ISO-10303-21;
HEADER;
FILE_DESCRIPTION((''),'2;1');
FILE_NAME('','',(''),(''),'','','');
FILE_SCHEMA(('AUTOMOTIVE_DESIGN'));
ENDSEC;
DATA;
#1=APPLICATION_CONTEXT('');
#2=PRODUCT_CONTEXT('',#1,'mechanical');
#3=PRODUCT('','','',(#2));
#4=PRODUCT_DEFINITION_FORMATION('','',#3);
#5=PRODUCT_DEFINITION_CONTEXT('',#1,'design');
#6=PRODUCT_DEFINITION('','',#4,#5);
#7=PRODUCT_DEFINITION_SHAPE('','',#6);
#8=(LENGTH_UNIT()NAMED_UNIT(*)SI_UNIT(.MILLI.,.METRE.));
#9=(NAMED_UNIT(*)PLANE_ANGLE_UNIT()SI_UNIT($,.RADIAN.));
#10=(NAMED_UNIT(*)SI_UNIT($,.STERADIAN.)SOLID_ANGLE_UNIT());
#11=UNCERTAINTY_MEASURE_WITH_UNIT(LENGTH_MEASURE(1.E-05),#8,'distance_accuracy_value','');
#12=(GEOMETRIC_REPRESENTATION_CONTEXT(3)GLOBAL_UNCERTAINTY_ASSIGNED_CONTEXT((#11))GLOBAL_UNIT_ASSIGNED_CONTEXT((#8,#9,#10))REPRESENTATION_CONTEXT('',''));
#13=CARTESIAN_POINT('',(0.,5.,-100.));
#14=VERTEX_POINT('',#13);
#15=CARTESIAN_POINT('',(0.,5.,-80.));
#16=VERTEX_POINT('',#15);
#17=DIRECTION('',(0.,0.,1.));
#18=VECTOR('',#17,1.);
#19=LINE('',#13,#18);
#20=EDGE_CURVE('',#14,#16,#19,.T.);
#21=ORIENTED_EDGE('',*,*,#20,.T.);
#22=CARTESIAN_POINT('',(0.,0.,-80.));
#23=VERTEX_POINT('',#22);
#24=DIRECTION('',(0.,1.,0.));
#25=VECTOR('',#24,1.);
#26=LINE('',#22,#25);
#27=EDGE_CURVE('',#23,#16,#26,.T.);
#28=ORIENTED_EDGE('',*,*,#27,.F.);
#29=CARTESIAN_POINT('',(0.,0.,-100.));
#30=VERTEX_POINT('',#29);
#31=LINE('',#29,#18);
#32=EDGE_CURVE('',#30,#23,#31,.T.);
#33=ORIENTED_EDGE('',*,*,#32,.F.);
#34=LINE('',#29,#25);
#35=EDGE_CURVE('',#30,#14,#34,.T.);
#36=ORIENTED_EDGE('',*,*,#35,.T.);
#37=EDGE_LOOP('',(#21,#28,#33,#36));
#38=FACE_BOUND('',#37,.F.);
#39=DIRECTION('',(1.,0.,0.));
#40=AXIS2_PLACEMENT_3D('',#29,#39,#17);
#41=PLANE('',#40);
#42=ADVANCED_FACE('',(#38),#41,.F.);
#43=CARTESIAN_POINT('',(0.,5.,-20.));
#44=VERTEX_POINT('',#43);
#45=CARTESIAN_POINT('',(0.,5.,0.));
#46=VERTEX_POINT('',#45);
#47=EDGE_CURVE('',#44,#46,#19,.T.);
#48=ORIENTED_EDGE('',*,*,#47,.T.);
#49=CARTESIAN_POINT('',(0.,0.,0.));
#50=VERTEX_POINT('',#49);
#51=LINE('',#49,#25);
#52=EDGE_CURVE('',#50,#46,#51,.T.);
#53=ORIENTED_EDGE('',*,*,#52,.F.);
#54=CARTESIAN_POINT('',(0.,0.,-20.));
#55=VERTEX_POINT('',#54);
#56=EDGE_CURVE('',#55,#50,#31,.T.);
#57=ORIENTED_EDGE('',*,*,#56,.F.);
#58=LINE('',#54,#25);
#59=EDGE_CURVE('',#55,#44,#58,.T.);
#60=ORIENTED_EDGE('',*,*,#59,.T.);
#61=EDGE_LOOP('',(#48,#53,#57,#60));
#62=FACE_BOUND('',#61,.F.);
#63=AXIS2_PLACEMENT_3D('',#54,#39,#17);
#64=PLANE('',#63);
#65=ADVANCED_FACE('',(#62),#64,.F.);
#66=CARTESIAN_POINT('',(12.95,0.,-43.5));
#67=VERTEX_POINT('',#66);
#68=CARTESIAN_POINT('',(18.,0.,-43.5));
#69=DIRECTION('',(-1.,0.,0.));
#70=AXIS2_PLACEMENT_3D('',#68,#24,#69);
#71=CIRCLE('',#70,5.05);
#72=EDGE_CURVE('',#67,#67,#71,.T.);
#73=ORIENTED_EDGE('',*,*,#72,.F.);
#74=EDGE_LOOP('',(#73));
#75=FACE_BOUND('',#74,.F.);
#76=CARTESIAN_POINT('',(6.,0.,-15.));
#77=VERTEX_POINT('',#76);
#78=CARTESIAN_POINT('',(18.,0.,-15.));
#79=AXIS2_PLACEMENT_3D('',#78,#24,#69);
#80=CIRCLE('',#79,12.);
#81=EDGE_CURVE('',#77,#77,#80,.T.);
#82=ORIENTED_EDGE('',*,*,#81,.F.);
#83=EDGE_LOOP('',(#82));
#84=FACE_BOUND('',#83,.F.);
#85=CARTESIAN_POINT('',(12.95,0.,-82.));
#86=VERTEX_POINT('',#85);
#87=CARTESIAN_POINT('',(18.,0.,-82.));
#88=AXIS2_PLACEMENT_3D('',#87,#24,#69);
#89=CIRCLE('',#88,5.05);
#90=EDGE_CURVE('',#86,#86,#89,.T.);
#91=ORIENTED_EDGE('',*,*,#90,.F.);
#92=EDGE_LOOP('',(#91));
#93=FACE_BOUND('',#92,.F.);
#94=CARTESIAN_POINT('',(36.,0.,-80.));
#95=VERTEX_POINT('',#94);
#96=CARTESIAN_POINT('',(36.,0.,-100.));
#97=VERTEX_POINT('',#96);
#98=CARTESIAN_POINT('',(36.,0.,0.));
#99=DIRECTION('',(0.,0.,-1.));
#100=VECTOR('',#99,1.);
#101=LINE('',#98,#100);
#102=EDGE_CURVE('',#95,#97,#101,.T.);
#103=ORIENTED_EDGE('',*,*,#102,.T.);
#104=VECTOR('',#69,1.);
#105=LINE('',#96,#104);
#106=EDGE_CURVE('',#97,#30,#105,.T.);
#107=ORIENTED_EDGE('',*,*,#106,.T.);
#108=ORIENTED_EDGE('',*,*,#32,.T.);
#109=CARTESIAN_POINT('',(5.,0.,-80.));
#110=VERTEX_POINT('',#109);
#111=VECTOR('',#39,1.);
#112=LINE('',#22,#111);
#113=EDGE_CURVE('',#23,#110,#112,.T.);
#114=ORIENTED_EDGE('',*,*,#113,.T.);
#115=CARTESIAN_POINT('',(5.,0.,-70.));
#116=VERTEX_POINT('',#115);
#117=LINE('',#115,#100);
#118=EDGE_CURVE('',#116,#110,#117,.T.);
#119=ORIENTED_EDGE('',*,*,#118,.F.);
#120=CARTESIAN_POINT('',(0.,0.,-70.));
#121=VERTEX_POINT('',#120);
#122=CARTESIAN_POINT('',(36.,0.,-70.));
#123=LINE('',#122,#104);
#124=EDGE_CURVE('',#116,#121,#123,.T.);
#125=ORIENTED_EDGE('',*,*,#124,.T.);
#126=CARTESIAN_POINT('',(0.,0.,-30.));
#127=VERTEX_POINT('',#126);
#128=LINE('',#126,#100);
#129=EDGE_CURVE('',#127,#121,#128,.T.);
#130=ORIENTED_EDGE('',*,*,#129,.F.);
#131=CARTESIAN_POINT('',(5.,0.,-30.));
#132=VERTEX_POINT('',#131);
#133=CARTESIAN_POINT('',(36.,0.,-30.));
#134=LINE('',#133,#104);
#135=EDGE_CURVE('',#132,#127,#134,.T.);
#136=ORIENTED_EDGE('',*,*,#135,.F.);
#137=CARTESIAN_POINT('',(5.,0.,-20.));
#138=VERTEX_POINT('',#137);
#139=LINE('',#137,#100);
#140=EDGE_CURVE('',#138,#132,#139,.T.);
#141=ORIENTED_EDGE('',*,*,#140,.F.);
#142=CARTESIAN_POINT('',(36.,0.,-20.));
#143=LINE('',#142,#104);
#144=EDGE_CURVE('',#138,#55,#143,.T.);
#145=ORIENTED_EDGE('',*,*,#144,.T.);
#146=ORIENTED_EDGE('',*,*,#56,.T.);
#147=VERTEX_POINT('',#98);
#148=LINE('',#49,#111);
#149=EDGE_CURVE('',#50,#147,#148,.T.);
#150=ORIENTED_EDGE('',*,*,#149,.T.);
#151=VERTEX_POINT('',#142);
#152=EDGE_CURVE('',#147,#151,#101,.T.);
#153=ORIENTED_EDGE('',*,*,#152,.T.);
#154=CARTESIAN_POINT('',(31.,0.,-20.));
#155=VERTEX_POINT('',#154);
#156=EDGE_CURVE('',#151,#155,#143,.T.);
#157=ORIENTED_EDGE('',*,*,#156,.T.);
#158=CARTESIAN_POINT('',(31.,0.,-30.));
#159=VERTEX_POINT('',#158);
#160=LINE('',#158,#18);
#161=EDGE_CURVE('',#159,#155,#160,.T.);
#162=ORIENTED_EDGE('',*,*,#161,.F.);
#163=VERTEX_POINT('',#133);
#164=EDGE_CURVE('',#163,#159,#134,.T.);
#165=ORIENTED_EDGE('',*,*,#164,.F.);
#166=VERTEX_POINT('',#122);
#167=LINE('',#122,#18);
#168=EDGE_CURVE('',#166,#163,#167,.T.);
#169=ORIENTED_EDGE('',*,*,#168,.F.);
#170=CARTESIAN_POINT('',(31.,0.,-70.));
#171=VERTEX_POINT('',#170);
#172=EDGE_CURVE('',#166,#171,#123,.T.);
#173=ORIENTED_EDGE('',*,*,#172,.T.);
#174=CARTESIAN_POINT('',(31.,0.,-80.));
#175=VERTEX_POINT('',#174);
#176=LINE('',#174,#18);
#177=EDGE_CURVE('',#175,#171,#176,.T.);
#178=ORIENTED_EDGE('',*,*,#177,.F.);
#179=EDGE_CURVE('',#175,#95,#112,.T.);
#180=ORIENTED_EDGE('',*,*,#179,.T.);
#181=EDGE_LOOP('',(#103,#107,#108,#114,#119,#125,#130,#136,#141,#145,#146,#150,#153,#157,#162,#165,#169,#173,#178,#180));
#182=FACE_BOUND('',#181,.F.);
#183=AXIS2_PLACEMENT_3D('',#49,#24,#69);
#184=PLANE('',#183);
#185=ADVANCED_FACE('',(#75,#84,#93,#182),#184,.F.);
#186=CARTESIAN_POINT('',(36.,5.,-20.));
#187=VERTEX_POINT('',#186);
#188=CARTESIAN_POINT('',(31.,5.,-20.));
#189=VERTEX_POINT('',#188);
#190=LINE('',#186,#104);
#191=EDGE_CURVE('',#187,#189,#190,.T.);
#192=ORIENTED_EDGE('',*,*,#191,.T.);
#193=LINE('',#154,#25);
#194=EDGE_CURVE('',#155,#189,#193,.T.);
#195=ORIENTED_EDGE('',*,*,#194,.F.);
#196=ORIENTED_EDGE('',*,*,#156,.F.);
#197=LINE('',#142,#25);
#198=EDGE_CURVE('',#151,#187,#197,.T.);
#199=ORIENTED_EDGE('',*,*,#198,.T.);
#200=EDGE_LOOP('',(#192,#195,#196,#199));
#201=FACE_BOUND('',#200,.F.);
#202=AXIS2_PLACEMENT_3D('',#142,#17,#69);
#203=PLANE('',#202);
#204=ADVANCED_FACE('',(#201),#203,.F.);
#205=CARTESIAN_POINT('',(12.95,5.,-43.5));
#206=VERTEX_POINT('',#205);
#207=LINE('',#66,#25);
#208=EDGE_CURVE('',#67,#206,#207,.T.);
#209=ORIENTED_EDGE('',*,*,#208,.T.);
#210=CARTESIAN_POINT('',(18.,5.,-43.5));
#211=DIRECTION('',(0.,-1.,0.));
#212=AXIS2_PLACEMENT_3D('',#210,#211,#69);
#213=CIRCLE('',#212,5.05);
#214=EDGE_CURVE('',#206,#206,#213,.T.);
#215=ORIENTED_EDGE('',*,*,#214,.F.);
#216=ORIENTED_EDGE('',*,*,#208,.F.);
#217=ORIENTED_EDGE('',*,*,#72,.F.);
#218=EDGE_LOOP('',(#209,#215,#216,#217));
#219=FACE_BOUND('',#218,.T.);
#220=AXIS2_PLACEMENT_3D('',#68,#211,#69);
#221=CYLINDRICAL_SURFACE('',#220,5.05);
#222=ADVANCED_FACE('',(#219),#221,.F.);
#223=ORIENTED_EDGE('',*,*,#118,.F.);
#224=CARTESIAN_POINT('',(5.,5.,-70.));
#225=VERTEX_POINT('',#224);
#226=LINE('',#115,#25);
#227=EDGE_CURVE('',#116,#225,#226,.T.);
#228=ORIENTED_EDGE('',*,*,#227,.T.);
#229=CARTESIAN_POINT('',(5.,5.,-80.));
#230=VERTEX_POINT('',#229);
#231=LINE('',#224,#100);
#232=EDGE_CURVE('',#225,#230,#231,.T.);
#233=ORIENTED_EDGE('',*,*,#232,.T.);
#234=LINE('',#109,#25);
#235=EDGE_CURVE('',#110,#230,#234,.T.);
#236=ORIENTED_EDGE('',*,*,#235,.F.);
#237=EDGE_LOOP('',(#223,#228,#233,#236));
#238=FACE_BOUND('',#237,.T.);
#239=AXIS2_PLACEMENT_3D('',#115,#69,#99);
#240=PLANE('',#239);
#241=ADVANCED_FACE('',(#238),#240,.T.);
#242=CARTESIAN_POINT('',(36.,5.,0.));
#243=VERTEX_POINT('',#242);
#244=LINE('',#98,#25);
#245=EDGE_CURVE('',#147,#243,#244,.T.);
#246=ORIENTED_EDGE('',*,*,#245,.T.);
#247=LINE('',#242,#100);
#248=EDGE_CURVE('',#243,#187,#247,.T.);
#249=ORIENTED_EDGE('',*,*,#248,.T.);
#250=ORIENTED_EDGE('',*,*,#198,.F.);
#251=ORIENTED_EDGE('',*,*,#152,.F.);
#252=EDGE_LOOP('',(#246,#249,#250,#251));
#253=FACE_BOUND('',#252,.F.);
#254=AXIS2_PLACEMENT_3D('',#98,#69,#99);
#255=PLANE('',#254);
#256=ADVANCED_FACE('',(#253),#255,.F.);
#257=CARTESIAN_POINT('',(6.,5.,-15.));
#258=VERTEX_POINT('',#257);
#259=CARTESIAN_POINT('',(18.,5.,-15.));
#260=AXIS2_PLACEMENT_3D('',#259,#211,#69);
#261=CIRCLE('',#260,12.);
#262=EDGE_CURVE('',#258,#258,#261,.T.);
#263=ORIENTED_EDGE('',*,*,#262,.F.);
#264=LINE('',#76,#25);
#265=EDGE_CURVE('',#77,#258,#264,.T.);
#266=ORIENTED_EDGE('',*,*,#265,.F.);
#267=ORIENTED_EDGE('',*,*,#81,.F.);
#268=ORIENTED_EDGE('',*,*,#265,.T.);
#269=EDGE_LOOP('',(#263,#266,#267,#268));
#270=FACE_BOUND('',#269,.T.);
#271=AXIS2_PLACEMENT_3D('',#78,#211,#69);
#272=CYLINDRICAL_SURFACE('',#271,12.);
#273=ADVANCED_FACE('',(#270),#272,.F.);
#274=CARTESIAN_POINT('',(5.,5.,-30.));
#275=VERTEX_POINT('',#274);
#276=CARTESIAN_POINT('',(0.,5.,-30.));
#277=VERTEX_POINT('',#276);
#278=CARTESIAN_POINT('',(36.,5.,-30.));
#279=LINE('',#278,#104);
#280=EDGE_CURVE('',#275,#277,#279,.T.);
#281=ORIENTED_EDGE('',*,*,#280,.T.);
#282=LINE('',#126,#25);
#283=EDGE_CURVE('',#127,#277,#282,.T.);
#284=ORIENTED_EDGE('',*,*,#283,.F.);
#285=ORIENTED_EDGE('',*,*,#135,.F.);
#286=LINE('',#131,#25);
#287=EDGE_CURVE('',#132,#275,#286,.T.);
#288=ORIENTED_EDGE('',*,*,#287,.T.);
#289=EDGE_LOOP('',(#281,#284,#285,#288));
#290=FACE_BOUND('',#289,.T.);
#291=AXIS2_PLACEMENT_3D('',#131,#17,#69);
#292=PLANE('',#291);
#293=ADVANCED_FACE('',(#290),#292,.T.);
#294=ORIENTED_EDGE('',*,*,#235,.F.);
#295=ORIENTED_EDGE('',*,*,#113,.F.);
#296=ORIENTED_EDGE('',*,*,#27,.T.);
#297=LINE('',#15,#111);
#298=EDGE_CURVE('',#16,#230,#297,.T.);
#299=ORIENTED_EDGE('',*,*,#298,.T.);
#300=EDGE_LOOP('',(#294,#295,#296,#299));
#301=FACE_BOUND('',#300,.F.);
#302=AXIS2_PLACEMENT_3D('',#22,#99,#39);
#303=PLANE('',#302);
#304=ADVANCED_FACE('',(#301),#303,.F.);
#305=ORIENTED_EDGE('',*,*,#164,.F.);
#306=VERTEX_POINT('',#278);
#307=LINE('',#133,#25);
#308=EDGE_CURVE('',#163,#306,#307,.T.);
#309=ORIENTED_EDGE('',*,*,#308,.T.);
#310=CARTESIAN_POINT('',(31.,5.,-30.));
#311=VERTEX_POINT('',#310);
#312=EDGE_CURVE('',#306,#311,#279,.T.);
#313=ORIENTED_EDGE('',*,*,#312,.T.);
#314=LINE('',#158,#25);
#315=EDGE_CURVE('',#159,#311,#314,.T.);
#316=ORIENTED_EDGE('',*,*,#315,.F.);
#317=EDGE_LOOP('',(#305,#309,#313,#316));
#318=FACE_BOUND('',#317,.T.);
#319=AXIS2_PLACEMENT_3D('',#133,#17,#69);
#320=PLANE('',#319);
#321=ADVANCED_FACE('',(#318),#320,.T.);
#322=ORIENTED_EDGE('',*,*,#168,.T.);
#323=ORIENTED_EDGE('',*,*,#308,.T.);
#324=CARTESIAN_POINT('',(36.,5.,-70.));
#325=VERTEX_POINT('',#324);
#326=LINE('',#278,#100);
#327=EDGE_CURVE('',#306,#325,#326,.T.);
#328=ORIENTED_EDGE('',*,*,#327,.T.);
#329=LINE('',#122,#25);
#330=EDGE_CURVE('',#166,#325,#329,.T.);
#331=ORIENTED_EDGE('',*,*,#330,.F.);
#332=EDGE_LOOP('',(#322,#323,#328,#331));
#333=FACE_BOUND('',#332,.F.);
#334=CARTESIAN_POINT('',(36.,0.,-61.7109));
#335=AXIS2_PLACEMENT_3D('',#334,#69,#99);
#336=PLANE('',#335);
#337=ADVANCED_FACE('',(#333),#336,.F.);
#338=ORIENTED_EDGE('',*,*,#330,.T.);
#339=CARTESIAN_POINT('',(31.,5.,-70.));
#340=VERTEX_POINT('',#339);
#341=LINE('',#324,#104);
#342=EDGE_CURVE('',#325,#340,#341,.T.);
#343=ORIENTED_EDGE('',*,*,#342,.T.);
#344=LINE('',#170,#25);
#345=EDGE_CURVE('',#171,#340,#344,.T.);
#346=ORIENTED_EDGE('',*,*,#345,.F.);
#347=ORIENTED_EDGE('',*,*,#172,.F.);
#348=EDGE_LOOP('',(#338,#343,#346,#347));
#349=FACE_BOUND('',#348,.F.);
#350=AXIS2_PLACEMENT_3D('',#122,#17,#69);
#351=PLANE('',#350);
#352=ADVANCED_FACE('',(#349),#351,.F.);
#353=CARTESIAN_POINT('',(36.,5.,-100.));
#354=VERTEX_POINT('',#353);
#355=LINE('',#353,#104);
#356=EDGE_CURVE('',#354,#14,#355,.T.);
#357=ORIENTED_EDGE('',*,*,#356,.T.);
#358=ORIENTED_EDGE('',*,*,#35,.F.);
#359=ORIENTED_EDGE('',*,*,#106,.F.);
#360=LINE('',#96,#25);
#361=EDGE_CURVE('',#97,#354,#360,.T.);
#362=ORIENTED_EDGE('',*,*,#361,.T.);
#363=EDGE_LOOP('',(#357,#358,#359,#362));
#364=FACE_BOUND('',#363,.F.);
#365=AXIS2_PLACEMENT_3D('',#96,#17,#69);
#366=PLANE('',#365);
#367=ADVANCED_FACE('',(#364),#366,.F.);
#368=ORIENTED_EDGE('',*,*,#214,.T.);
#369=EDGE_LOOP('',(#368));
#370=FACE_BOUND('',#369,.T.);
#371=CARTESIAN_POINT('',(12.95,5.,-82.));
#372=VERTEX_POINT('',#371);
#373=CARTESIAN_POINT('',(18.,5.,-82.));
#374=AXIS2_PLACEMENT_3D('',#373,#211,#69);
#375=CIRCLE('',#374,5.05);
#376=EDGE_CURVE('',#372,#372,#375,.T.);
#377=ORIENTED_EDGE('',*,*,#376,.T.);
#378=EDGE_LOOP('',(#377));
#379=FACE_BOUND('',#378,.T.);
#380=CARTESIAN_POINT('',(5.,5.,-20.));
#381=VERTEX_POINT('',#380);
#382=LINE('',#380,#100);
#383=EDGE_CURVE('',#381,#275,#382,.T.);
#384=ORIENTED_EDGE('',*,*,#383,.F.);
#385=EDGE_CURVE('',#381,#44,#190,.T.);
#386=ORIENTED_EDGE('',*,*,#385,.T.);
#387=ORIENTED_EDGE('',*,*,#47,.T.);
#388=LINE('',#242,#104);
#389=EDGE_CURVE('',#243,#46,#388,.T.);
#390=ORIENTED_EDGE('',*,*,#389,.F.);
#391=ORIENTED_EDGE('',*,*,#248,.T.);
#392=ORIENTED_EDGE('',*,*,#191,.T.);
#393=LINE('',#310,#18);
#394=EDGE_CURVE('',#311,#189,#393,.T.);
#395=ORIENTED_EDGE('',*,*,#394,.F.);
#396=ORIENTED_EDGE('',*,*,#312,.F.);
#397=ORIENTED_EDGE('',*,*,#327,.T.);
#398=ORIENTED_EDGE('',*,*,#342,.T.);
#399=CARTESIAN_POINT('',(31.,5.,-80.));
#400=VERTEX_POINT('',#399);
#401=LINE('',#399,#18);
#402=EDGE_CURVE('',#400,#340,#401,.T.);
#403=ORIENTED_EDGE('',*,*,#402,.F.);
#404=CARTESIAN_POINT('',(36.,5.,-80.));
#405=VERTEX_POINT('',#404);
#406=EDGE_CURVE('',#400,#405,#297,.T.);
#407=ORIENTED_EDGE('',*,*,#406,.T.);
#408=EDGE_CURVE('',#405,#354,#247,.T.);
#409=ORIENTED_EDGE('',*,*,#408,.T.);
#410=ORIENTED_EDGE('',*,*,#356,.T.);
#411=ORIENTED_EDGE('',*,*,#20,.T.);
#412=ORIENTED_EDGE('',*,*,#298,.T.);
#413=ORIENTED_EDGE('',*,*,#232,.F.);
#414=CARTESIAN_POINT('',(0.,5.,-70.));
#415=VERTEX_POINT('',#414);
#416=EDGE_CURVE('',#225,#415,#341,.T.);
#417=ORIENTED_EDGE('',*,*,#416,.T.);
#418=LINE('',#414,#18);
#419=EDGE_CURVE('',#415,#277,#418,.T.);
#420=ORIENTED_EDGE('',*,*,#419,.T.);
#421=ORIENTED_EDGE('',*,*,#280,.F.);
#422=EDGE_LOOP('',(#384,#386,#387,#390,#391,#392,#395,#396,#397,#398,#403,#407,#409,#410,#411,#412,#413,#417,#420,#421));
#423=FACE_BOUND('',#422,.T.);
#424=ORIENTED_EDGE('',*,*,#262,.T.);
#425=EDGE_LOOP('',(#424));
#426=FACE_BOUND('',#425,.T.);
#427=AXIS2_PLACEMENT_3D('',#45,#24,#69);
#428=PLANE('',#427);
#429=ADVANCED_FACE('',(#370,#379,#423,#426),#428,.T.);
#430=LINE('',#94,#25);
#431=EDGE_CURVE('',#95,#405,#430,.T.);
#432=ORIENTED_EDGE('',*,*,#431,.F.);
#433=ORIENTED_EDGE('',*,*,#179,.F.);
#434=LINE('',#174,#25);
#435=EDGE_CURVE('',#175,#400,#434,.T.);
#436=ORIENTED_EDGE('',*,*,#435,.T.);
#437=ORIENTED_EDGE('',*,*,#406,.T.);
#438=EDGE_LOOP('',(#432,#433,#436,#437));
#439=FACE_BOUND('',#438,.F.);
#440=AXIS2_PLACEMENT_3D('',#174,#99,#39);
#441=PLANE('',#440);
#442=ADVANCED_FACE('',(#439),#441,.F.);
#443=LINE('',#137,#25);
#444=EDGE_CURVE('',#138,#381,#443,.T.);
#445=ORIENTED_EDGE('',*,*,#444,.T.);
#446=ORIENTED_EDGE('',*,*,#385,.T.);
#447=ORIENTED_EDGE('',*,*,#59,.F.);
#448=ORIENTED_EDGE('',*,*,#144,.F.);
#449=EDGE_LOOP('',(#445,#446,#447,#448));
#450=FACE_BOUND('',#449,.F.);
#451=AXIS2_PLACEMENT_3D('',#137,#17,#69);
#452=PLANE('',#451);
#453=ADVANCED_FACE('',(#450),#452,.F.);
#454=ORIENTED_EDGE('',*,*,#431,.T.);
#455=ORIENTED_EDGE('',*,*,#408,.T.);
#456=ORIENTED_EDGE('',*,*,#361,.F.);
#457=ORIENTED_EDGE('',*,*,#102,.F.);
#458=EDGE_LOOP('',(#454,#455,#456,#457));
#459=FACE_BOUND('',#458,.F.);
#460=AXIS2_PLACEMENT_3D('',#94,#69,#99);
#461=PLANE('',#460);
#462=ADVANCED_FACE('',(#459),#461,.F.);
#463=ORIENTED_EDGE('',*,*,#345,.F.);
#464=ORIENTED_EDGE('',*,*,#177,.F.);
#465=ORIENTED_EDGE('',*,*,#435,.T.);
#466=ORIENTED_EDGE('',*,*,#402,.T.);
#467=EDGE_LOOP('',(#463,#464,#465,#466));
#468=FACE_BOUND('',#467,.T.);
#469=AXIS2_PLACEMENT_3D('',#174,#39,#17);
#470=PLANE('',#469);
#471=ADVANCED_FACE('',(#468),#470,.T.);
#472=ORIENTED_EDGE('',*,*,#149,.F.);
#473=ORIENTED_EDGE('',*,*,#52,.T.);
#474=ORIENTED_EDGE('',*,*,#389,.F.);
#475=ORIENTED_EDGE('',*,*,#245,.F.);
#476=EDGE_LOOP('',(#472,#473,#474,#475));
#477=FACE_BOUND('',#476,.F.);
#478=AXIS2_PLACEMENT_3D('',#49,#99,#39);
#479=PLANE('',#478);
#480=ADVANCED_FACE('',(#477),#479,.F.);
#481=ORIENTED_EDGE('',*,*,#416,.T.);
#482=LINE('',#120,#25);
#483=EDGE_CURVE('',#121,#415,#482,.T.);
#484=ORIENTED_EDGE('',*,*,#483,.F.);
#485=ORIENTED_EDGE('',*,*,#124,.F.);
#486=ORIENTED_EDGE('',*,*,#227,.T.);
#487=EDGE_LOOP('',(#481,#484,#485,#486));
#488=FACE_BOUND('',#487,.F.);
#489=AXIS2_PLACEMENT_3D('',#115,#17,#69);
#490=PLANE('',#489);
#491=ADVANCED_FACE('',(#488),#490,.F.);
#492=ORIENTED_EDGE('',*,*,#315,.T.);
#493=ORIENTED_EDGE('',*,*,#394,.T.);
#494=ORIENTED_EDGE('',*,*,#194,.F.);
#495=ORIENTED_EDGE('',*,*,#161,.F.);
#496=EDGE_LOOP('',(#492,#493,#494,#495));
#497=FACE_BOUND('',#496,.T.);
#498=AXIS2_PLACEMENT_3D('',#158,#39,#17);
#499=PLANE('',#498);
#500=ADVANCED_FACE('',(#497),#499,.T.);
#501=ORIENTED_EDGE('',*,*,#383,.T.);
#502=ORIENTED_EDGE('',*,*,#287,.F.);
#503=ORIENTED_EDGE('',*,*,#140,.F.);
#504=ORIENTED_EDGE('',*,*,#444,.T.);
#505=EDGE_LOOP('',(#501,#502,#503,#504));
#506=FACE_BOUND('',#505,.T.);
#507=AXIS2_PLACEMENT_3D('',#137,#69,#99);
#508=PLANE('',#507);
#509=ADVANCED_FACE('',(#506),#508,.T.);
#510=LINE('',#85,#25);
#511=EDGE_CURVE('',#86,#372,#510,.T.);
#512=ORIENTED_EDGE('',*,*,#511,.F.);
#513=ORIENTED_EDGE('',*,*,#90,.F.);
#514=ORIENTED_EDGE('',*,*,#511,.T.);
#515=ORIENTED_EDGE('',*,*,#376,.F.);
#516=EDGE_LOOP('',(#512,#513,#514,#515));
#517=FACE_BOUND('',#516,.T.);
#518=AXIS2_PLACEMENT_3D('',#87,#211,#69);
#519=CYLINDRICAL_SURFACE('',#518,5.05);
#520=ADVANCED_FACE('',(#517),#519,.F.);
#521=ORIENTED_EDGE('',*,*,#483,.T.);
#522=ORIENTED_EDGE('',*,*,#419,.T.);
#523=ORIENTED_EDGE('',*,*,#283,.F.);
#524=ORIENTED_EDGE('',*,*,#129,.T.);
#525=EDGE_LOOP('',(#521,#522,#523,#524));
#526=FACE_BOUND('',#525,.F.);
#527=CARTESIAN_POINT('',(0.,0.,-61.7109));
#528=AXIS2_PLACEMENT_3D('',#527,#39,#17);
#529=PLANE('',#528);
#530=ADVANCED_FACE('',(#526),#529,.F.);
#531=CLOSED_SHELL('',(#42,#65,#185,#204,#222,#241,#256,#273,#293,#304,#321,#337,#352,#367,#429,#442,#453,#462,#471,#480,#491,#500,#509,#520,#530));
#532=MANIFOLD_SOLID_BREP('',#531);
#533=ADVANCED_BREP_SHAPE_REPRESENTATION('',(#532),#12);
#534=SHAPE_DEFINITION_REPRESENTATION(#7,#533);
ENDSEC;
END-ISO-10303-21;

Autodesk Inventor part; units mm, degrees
ref_plane "YZ Plane" through (0, 0, 0) normal (1, 0, 0) x (0, 1, 0)
ref_plane "XZ Plane" through (0, 0, 0) normal (0, 1, 0) x (-1, 0, 0)
ref_plane "XY Plane" through (0, 0, 0) normal (0, 0, 1) x (1, 0, 0)
sketch "Sketch2" plane through (0, 0, 0) normal (0, 1, 0) x (-1, 0, 0)
  line L0 (0, 0) -> (-36, 0)
  line L1 (-36, 0) -> (-36, -100)
  line L2 (-36, -100) -> (0, -100)
  line L3 (0, -100) -> (0, 0)
  line L4 (-36, 0) -> (-36, -20)
  line L5 (-36, -20) -> (0, -20)
  line L6 (-36, -100) -> (-36, -80)
  line L7 (-36, -80) -> (-36, -61.7109)
  line L8 (0, -61.7109) -> (0, -80)
  line L9 (-36, -80) -> (-36, -70)
  line L10 (-36, -70) -> (0, -70)
  line L11 (0, -80) -> (-36, -80)
  line L12 (0, -70) -> (0, -80)
  line L13 (0, -70) -> (-5, -70)
  line L14 (-5, -70) -> (-5, -80)
  line L15 (-36, -20) -> (-36, -30)
  line L16 (-36, -30) -> (0, -30)
  line L17 (0, -20) -> (-5, -20)
  line L18 (-5, -20) -> (-5, -30)
  line L19 (-36, -80) -> (-31, -80)
  line L20 (-31, -80) -> (-31, -70)
  line L21 (-31, -30) -> (-31, -20)
  line L22 (-18, 0) -> (-18, -15)
  circle A0 centre (-18, -15) radius 12
  line L23 (-18, -15) -> (-18, -45.5)
  line L24 (-18, -45.5) -> (-18, -86)
  line L25 (-18, -15) -> (-18, -43.5)
  circle A1 centre (-18, -43.5) radius 5.05
  line L26 (-18, -43.5) -> (-18, -82)
  circle A2 centre (-18, -82) radius 5.05
  dimension "d0" = 36
  dimension "d1" = 100
  dimension "d2" = 20
  dimension "d3" = 20
  dimension "d4" = 10
  dimension "d5" = 5
  dimension "d6" = 10
  dimension "d7" = 5
  dimension "d8" = 5
  dimension "d9" = 15
  dimension "d10" = 24
  dimension "d17" = 28.5
  dimension "d18" = 10.1
  dimension "d19" = 38.5
  dimension "d20" = 10.1
extrude "Extrusion1" add sketch "Sketch2" along normal blind 5 contours L3 L5 A0 L22 L0 | L22 A0 L5 L1 L0 | L3 L10 L24 A1 L23 L16 | L18 L16 L23 A0 L5 | A0 L23 L16 L21 L5 | L16 L23 A1 L24 L10 L1 | L3 L2 L1 L11 A2 | L14 L11 A2 L24 L10 | L24 A2 L11 L20 L10
equation "\"BendRadius\" = Thickness"
equation "\"BendReliefWidth\" = Thickness"
equation "\"BendReliefDepth\" = 0.5 * Thickness"
equation "\"CornerReliefSize\" = 4 * Thickness"
equation "\"MinimumRemnant\" = 2 * Thickness"
equation "\"TransitionRadius\" = BendRadius"
equation "\"JacobiRadiusSize\" = BendRadius"
equation "\"GapSize\" = Thickness"
equation "\"Thickness\" = 0.5"
